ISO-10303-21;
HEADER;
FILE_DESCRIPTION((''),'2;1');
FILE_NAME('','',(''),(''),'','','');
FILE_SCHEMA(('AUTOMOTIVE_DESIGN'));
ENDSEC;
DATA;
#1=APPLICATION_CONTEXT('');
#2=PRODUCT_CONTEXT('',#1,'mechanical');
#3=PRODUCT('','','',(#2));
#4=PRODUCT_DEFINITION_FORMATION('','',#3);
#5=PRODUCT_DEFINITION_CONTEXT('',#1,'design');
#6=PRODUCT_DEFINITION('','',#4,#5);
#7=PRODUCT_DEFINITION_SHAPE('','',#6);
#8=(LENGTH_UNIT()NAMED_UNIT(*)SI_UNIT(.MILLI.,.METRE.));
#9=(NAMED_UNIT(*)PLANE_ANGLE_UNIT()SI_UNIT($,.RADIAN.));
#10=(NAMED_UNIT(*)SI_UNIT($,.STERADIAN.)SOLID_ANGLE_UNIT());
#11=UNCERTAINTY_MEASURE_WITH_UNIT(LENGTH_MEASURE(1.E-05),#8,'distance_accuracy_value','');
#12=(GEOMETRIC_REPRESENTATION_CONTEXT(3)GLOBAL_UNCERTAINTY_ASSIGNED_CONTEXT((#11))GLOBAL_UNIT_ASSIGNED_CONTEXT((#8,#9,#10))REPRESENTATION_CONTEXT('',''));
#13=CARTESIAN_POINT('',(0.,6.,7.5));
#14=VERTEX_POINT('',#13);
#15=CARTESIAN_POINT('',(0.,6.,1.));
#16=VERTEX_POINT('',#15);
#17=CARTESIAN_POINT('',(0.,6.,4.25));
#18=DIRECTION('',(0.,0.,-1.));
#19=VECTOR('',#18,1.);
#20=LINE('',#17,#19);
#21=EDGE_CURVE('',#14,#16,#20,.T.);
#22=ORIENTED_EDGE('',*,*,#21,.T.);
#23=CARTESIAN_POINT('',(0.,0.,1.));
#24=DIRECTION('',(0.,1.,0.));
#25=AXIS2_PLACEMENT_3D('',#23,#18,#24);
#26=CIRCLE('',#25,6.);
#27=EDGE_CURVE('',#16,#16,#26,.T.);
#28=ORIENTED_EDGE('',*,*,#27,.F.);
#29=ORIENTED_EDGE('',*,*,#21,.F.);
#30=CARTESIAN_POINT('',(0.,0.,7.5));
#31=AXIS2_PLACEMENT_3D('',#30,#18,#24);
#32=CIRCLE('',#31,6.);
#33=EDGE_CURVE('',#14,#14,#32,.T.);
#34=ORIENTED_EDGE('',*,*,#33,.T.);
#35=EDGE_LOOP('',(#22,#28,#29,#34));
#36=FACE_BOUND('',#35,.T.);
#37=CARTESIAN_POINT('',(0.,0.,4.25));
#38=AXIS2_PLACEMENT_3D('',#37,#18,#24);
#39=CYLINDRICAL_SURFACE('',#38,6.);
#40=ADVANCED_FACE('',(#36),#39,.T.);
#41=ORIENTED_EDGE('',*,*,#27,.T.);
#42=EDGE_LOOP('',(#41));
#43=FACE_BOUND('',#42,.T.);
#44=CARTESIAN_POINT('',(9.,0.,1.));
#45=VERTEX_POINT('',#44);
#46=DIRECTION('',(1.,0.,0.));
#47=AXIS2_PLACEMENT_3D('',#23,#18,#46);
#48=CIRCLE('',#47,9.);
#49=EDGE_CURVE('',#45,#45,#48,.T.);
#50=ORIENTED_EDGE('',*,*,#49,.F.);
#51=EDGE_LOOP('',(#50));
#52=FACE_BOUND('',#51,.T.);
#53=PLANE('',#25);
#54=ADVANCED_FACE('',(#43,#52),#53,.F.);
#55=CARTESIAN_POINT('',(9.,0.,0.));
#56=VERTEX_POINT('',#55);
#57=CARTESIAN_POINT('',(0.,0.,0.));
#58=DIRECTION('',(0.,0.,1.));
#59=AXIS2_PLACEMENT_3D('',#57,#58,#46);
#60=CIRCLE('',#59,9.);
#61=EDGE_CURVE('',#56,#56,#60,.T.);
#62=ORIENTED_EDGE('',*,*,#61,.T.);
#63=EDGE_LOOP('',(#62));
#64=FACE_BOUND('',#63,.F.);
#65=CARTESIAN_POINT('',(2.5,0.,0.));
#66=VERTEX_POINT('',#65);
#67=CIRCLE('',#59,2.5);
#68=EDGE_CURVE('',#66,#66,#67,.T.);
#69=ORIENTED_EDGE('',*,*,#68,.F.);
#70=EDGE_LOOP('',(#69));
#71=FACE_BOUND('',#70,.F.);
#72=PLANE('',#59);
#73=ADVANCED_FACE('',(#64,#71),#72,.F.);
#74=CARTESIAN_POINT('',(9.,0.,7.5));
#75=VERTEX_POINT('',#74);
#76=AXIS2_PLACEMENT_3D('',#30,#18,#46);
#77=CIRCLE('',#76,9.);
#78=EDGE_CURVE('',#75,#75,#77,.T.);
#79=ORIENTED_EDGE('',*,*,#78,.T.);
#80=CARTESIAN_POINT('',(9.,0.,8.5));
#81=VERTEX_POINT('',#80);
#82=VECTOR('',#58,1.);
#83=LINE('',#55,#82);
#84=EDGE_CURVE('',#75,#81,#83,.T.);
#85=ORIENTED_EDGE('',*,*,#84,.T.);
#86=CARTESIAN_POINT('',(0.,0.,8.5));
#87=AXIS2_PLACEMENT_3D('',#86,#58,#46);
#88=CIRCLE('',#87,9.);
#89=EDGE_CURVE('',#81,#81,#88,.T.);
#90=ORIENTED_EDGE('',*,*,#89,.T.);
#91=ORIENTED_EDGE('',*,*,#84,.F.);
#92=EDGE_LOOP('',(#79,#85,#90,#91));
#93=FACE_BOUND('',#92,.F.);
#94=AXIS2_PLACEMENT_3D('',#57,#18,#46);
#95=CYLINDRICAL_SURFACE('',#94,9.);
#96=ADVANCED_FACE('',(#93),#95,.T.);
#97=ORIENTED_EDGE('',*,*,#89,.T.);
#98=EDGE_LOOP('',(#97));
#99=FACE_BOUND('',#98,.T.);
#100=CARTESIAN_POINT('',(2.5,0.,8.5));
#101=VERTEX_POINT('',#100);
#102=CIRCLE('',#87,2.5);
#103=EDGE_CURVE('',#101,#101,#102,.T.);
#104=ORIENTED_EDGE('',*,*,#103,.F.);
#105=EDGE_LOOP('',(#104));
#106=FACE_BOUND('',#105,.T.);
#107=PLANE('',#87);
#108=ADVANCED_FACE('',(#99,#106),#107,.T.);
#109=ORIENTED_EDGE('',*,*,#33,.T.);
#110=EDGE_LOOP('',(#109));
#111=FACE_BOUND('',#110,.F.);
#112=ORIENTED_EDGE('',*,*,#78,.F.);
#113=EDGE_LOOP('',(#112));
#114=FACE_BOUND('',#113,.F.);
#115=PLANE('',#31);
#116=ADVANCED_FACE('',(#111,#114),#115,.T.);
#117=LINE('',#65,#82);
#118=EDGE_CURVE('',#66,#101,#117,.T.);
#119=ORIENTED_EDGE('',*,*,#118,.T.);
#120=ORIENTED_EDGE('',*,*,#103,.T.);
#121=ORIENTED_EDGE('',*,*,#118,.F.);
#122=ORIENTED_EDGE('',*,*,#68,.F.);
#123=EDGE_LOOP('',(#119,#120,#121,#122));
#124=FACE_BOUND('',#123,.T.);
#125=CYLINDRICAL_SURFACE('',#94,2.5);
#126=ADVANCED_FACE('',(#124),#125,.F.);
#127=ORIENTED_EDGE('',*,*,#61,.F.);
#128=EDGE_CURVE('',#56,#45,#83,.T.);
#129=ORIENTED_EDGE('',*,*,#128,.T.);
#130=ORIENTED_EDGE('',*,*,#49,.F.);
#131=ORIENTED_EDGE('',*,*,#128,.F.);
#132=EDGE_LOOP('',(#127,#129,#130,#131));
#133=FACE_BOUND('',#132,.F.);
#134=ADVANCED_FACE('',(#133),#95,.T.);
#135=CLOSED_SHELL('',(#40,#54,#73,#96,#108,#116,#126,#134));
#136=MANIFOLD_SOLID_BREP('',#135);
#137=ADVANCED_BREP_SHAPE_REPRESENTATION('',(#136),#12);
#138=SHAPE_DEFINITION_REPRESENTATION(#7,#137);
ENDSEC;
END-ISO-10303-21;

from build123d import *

# Parameters (mm, degrees)
SKETCH2_R           = 9
SKETCH2_R_2         = 2.5
BOSS_EXTRUDE1_DEPTH = 8.5
SKETCH4_W           = 6.5
SKETCH4_H           = 3.782064458


with BuildPart() as part:
    # Sketch2 → Boss-Extrude1 (new body)
    with BuildSketch(Plane.XY):
        Circle(SKETCH2_R)
        Circle(SKETCH2_R_2, mode=Mode.SUBTRACT)
    extrude(amount=BOSS_EXTRUDE1_DEPTH)

    # Sketch4 → Cut-Revolve1 (revolve, cut)
    with BuildSketch(Plane(origin=(0, 0, 0), x_dir=(0, 0, -1), z_dir=(1, 0, 0))):
        with Locations((-4.25, 7.891032229)):
            Rectangle(SKETCH4_W, SKETCH4_H)
    revolve(axis=Axis((0, 0, 8.5), (0, 0, -1)), mode=Mode.SUBTRACT)


solid = part.part
